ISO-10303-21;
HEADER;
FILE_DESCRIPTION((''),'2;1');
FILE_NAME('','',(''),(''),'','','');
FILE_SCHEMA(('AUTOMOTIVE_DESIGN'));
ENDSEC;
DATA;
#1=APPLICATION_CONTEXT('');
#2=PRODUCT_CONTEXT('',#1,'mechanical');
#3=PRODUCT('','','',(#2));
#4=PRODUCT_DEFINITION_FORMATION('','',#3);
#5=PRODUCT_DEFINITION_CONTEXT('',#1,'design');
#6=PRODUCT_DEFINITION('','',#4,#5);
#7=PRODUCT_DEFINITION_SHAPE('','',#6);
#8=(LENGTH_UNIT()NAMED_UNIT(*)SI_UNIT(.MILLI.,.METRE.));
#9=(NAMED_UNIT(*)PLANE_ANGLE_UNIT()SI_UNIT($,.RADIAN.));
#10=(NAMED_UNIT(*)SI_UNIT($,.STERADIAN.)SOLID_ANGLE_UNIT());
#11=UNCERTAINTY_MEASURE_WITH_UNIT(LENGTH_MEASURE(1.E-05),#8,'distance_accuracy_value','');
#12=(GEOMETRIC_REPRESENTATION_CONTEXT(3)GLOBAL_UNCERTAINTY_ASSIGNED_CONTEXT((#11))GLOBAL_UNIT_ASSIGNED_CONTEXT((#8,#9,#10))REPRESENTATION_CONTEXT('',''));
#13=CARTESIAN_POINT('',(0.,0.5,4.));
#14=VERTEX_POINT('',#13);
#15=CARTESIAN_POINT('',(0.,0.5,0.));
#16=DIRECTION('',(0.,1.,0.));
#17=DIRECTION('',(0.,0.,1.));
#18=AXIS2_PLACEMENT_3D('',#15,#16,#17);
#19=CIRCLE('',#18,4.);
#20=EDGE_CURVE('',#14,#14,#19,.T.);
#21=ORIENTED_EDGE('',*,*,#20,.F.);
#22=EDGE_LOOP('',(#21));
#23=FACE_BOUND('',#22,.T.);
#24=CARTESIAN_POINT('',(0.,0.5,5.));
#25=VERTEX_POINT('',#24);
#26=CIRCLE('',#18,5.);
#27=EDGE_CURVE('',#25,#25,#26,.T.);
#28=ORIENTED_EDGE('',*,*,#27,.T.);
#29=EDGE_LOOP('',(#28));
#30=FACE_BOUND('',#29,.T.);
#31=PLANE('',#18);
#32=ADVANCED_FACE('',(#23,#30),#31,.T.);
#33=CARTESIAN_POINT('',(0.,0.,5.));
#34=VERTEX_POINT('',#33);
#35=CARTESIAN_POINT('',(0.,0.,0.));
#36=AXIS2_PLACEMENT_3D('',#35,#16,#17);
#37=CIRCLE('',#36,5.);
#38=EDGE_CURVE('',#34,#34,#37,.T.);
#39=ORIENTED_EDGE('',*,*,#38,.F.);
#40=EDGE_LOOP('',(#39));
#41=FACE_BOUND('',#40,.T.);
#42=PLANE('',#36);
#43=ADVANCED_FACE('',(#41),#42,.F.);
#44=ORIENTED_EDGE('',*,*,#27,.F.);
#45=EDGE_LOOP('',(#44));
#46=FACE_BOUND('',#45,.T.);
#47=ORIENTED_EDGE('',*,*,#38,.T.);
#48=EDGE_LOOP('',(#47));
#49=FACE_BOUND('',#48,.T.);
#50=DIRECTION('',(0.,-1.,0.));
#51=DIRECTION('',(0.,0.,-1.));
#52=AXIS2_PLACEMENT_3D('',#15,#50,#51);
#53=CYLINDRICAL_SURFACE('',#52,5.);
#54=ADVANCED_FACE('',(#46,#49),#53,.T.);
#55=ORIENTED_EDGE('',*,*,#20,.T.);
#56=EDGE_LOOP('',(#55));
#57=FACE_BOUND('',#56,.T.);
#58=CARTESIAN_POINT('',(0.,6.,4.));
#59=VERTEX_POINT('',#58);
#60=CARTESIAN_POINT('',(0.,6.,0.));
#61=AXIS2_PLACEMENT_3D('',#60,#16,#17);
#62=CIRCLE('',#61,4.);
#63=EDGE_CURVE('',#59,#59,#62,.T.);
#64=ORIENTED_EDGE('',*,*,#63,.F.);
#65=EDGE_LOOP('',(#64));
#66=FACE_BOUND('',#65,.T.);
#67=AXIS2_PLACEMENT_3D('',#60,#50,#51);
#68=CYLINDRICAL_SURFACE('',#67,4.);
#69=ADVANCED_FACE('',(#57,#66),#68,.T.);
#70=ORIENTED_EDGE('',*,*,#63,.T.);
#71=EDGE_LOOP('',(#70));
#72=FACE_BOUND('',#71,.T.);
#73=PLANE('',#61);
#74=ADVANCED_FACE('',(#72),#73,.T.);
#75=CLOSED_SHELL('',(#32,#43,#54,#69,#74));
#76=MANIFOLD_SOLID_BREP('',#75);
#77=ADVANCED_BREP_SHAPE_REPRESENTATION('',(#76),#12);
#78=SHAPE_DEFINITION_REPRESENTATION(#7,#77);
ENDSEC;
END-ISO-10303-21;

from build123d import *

# Parameters (mm, degrees)
SKETCH1_R           = 5
SKETCH1_R_2         = 4
BOSS_EXTRUDE1_DEPTH = 0.5
SKETCH1_3_R         = 4
BOSS_EXTRUDE2_DEPTH = 6


with BuildPart() as part:
    # Sketch1 → Boss-Extrude1 (new body)
    with BuildSketch(Plane(origin=(0, 0, 0), x_dir=(1, 0, 0), z_dir=(0, 1, 0))):
        Circle(SKETCH1_R)
        Circle(SKETCH1_R_2, mode=Mode.SUBTRACT)
    extrude(amount=BOSS_EXTRUDE1_DEPTH)

    # Sketch1<3> → Boss-Extrude2 (add)
    with BuildSketch(Plane(origin=(0, 0, 0), x_dir=(1, 0, 0), z_dir=(0, 1, 0))):
        Circle(SKETCH1_3_R)
    extrude(amount=BOSS_EXTRUDE2_DEPTH)


solid = part.part
